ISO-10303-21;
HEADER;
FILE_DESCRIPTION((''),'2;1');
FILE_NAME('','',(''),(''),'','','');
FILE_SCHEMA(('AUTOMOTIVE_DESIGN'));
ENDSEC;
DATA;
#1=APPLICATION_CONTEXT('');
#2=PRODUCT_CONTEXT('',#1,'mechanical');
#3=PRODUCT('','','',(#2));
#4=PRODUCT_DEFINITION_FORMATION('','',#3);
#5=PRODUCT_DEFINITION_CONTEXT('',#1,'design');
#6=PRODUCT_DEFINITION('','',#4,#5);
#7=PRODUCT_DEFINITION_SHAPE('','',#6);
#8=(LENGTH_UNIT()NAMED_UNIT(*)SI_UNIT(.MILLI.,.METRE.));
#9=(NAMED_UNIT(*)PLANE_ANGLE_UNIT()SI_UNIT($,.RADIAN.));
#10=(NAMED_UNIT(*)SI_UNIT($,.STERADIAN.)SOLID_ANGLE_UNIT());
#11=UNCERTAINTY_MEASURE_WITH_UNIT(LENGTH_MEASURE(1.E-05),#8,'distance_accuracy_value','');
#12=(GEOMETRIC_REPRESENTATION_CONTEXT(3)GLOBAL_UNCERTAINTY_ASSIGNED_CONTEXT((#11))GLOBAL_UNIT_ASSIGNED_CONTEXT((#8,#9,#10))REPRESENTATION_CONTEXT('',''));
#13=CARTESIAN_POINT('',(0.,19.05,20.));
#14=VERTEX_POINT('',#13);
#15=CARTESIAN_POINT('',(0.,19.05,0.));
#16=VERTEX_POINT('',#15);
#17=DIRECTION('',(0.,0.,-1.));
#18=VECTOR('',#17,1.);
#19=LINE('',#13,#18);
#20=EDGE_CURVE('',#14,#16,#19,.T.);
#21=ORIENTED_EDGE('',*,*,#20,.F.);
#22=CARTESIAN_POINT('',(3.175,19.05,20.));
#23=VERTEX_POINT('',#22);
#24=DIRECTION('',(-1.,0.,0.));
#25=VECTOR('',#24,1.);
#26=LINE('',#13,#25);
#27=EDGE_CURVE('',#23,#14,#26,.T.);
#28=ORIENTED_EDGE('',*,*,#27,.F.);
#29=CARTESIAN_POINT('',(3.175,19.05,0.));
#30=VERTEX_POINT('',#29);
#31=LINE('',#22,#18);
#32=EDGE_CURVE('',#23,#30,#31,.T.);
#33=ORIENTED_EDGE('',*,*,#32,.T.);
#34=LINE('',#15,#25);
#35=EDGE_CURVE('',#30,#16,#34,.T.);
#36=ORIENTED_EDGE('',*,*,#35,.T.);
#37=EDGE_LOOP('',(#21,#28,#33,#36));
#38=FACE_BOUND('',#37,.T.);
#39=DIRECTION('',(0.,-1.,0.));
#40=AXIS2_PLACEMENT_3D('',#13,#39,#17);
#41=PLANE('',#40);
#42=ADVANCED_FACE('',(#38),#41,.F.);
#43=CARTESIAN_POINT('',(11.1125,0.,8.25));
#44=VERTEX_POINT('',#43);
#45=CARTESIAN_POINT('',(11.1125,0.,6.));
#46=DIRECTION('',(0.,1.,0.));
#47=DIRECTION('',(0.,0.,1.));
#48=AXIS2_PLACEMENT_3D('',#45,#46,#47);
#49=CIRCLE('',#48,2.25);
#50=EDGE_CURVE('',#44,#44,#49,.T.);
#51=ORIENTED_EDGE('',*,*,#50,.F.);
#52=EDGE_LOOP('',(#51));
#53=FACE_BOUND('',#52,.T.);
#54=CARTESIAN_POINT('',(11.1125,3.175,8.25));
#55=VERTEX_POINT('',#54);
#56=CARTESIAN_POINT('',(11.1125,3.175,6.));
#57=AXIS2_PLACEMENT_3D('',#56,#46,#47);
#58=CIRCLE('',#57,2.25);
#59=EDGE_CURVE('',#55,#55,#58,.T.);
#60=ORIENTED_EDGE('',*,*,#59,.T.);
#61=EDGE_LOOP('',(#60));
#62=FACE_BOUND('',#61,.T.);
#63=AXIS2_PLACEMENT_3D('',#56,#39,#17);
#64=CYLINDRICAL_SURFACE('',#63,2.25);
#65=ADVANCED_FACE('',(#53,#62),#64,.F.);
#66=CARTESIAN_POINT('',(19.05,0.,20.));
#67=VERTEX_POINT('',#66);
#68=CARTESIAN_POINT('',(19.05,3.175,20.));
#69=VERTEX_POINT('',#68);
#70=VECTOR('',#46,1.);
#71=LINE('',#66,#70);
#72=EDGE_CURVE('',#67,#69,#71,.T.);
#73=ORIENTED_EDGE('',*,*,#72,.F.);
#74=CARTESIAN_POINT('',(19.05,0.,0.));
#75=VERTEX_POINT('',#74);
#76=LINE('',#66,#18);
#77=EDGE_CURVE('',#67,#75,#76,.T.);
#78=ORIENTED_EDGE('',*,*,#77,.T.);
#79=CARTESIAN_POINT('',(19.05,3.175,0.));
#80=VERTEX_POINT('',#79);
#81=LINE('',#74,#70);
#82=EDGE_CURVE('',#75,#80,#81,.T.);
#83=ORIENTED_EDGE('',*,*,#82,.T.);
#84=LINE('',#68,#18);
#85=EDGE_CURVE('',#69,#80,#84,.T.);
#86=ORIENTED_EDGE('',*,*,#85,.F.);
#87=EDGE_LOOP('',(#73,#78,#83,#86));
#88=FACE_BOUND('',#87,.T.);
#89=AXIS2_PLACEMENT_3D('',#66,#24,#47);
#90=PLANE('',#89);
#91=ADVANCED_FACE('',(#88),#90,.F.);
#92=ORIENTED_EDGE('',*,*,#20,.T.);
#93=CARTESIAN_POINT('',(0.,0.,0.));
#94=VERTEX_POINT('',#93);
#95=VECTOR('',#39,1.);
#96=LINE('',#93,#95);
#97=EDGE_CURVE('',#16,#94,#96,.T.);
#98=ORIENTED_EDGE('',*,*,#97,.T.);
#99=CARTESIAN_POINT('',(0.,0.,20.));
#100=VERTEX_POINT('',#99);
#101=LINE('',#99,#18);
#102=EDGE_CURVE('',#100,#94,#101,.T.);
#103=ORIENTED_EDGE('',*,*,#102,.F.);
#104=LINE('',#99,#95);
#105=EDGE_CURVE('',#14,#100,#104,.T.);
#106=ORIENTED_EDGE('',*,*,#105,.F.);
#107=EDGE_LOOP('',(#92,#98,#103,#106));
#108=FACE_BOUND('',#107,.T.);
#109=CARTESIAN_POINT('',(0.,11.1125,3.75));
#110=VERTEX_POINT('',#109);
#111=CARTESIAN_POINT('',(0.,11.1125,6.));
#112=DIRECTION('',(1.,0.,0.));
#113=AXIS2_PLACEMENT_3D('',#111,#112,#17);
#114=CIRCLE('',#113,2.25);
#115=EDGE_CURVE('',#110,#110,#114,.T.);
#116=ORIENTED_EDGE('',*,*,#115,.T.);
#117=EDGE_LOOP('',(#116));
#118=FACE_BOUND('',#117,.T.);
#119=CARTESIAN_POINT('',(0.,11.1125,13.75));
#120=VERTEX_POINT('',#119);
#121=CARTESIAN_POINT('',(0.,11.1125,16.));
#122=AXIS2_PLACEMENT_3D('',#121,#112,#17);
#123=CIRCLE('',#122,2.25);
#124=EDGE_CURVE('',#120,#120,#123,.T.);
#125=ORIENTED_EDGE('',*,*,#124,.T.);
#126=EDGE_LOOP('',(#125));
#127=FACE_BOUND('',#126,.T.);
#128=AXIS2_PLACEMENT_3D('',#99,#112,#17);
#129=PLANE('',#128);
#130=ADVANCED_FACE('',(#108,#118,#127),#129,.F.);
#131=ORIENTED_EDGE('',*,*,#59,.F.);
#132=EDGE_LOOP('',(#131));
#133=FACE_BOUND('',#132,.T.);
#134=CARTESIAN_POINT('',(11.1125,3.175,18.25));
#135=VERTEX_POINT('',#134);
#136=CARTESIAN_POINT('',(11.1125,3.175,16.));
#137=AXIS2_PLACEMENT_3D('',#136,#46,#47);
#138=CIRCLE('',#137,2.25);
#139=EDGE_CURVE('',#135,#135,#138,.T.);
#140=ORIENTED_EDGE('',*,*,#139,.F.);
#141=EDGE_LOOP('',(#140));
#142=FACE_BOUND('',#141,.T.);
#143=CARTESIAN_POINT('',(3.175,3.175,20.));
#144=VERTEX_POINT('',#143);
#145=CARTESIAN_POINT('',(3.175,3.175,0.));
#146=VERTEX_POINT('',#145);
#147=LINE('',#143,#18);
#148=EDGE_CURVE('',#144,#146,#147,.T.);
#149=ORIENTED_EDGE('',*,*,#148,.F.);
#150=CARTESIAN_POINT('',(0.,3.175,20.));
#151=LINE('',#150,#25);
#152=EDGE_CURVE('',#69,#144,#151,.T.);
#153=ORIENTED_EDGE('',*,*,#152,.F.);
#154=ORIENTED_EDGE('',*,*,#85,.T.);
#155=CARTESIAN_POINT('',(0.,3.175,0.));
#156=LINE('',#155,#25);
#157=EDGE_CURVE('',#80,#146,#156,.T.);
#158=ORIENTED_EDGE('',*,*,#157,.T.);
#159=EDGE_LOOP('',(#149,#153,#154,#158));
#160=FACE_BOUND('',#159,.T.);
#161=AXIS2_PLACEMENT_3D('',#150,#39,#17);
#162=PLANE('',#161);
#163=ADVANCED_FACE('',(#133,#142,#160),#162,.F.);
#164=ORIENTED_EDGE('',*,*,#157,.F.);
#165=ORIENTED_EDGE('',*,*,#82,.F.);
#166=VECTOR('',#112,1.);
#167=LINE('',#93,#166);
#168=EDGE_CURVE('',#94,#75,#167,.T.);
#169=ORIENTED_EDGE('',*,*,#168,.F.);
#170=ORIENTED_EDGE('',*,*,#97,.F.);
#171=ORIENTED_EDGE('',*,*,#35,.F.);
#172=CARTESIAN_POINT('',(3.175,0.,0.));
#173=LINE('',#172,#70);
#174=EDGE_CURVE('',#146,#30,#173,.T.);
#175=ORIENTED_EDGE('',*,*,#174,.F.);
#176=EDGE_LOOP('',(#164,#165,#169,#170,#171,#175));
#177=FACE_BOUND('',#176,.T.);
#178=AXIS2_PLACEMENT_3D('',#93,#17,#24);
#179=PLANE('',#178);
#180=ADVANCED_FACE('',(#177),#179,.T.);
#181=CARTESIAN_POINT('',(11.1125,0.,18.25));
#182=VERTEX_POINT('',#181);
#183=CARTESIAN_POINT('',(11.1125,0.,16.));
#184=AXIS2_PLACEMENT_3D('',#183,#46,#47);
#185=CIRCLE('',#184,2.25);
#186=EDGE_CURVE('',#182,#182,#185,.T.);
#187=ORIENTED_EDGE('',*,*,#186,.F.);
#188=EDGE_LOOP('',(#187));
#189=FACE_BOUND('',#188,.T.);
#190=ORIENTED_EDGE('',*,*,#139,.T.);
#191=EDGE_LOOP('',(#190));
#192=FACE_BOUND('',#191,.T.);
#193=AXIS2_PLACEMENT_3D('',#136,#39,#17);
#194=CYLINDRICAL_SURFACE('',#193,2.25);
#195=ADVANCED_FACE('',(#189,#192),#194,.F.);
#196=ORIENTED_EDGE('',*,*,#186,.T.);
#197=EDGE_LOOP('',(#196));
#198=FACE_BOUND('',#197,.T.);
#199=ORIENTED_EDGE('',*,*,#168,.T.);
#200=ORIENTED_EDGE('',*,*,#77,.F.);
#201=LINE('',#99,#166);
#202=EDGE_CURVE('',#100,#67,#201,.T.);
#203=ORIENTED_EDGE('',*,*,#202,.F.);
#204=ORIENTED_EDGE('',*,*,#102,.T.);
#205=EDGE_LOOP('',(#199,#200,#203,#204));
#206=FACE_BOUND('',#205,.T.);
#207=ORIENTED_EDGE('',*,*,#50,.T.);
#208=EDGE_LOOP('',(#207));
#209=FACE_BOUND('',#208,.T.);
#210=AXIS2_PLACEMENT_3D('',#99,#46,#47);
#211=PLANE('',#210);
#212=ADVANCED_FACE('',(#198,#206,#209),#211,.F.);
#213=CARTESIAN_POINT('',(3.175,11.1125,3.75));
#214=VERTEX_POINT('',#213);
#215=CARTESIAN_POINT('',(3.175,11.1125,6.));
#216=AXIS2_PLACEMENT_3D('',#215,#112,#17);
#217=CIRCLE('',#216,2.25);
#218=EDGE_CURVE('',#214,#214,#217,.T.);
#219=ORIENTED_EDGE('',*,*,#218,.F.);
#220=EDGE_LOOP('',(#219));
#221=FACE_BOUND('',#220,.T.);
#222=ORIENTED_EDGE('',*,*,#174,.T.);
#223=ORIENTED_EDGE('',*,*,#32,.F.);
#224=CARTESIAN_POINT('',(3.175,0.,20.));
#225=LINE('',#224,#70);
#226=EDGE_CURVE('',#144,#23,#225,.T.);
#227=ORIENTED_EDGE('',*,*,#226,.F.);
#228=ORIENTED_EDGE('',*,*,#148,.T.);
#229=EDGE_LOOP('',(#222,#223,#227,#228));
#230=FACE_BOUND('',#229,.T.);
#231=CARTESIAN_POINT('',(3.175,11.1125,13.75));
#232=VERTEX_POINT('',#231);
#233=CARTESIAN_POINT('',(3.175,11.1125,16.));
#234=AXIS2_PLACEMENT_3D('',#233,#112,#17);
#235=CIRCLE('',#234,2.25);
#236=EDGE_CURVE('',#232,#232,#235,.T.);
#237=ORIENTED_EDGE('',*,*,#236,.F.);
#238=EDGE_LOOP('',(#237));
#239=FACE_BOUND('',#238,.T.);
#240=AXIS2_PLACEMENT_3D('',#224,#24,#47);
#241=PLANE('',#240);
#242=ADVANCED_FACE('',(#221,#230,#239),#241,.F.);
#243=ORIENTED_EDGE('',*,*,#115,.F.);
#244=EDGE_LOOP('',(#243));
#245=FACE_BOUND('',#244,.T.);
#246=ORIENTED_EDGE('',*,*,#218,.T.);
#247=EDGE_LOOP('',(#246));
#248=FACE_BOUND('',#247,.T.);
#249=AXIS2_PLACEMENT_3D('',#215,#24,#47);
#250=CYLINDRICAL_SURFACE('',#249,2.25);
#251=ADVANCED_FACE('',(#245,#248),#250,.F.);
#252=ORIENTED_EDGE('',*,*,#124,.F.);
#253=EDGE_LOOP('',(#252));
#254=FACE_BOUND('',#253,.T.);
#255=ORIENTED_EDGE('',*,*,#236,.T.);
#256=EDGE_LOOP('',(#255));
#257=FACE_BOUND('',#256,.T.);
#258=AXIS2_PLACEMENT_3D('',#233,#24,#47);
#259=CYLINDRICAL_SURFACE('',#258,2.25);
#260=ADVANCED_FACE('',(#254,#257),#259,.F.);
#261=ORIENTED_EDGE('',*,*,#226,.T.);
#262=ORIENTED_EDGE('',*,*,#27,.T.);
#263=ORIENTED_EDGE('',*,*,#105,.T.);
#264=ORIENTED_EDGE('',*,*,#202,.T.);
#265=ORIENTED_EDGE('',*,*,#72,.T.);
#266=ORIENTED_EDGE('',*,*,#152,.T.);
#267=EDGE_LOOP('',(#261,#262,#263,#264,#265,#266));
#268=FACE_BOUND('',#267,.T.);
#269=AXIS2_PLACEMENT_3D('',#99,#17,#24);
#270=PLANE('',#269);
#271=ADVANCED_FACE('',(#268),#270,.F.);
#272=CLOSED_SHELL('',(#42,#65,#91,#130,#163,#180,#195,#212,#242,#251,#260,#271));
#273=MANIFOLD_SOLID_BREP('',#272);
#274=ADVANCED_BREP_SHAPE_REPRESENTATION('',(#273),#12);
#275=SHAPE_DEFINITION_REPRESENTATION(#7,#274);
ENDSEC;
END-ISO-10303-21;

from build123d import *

# Parameters (mm, degrees)
SK_ALA_1_W           = 19.05
SK_ALA_1_H           = 3.175
ALA_1_DEPTH          = 20
SK_ALA_2_W           = 3.175
SK_ALA_2_H           = 19.05
ALA_2_DEPTH          = 20
SK_BARRENOS_ALA_1_R  = 2.25
BARRENOS_ALA_1_DEPTH = 3.175
SK_BARRENOS_ALA_2_R  = 2.25
BARRENOS_ALA_2_DEPTH = 3.175


with BuildPart() as part:
    # Sk_Ala_1 → Ala_1 (new body)
    with BuildSketch(Plane.XY):
        with Locations((9.525, 1.5875)):
            Rectangle(SK_ALA_1_W, SK_ALA_1_H)
    extrude(amount=ALA_1_DEPTH)

    # Sk_Ala_2 → Ala_2 (add)
    with BuildSketch(Plane.XY):
        with Locations((1.5875, 9.525)):
            Rectangle(SK_ALA_2_W, SK_ALA_2_H)
    extrude(amount=ALA_2_DEPTH)

    # Sk_Barrenos_ala_1 → Barrenos_ala_1 (cut)
    with BuildSketch(Plane(origin=(0, 0, 0), x_dir=(1, 0, 0), z_dir=(0, 1, 0))):
        with Locations(Location((11.1125, -6, 0), (0, 0, 270))):
            Circle(SK_BARRENOS_ALA_1_R)
        with Locations(Location((11.1125, -16, 0), (0, 0, 270))):
            Circle(SK_BARRENOS_ALA_1_R)
    extrude(amount=BARRENOS_ALA_1_DEPTH, mode=Mode.SUBTRACT)

    # Sk_Barrenos_ala_2 → Barrenos_ala_2 (cut)
    with BuildSketch(Plane(origin=(0, 0, 0), x_dir=(0, 0, -1), z_dir=(1, 0, 0))):
        with Locations((-6, 11.1125)):
            Circle(SK_BARRENOS_ALA_2_R)
        with Locations((-16, 11.1125)):
            Circle(SK_BARRENOS_ALA_2_R)
    extrude(amount=BARRENOS_ALA_2_DEPTH, mode=Mode.SUBTRACT)


solid = part.part
